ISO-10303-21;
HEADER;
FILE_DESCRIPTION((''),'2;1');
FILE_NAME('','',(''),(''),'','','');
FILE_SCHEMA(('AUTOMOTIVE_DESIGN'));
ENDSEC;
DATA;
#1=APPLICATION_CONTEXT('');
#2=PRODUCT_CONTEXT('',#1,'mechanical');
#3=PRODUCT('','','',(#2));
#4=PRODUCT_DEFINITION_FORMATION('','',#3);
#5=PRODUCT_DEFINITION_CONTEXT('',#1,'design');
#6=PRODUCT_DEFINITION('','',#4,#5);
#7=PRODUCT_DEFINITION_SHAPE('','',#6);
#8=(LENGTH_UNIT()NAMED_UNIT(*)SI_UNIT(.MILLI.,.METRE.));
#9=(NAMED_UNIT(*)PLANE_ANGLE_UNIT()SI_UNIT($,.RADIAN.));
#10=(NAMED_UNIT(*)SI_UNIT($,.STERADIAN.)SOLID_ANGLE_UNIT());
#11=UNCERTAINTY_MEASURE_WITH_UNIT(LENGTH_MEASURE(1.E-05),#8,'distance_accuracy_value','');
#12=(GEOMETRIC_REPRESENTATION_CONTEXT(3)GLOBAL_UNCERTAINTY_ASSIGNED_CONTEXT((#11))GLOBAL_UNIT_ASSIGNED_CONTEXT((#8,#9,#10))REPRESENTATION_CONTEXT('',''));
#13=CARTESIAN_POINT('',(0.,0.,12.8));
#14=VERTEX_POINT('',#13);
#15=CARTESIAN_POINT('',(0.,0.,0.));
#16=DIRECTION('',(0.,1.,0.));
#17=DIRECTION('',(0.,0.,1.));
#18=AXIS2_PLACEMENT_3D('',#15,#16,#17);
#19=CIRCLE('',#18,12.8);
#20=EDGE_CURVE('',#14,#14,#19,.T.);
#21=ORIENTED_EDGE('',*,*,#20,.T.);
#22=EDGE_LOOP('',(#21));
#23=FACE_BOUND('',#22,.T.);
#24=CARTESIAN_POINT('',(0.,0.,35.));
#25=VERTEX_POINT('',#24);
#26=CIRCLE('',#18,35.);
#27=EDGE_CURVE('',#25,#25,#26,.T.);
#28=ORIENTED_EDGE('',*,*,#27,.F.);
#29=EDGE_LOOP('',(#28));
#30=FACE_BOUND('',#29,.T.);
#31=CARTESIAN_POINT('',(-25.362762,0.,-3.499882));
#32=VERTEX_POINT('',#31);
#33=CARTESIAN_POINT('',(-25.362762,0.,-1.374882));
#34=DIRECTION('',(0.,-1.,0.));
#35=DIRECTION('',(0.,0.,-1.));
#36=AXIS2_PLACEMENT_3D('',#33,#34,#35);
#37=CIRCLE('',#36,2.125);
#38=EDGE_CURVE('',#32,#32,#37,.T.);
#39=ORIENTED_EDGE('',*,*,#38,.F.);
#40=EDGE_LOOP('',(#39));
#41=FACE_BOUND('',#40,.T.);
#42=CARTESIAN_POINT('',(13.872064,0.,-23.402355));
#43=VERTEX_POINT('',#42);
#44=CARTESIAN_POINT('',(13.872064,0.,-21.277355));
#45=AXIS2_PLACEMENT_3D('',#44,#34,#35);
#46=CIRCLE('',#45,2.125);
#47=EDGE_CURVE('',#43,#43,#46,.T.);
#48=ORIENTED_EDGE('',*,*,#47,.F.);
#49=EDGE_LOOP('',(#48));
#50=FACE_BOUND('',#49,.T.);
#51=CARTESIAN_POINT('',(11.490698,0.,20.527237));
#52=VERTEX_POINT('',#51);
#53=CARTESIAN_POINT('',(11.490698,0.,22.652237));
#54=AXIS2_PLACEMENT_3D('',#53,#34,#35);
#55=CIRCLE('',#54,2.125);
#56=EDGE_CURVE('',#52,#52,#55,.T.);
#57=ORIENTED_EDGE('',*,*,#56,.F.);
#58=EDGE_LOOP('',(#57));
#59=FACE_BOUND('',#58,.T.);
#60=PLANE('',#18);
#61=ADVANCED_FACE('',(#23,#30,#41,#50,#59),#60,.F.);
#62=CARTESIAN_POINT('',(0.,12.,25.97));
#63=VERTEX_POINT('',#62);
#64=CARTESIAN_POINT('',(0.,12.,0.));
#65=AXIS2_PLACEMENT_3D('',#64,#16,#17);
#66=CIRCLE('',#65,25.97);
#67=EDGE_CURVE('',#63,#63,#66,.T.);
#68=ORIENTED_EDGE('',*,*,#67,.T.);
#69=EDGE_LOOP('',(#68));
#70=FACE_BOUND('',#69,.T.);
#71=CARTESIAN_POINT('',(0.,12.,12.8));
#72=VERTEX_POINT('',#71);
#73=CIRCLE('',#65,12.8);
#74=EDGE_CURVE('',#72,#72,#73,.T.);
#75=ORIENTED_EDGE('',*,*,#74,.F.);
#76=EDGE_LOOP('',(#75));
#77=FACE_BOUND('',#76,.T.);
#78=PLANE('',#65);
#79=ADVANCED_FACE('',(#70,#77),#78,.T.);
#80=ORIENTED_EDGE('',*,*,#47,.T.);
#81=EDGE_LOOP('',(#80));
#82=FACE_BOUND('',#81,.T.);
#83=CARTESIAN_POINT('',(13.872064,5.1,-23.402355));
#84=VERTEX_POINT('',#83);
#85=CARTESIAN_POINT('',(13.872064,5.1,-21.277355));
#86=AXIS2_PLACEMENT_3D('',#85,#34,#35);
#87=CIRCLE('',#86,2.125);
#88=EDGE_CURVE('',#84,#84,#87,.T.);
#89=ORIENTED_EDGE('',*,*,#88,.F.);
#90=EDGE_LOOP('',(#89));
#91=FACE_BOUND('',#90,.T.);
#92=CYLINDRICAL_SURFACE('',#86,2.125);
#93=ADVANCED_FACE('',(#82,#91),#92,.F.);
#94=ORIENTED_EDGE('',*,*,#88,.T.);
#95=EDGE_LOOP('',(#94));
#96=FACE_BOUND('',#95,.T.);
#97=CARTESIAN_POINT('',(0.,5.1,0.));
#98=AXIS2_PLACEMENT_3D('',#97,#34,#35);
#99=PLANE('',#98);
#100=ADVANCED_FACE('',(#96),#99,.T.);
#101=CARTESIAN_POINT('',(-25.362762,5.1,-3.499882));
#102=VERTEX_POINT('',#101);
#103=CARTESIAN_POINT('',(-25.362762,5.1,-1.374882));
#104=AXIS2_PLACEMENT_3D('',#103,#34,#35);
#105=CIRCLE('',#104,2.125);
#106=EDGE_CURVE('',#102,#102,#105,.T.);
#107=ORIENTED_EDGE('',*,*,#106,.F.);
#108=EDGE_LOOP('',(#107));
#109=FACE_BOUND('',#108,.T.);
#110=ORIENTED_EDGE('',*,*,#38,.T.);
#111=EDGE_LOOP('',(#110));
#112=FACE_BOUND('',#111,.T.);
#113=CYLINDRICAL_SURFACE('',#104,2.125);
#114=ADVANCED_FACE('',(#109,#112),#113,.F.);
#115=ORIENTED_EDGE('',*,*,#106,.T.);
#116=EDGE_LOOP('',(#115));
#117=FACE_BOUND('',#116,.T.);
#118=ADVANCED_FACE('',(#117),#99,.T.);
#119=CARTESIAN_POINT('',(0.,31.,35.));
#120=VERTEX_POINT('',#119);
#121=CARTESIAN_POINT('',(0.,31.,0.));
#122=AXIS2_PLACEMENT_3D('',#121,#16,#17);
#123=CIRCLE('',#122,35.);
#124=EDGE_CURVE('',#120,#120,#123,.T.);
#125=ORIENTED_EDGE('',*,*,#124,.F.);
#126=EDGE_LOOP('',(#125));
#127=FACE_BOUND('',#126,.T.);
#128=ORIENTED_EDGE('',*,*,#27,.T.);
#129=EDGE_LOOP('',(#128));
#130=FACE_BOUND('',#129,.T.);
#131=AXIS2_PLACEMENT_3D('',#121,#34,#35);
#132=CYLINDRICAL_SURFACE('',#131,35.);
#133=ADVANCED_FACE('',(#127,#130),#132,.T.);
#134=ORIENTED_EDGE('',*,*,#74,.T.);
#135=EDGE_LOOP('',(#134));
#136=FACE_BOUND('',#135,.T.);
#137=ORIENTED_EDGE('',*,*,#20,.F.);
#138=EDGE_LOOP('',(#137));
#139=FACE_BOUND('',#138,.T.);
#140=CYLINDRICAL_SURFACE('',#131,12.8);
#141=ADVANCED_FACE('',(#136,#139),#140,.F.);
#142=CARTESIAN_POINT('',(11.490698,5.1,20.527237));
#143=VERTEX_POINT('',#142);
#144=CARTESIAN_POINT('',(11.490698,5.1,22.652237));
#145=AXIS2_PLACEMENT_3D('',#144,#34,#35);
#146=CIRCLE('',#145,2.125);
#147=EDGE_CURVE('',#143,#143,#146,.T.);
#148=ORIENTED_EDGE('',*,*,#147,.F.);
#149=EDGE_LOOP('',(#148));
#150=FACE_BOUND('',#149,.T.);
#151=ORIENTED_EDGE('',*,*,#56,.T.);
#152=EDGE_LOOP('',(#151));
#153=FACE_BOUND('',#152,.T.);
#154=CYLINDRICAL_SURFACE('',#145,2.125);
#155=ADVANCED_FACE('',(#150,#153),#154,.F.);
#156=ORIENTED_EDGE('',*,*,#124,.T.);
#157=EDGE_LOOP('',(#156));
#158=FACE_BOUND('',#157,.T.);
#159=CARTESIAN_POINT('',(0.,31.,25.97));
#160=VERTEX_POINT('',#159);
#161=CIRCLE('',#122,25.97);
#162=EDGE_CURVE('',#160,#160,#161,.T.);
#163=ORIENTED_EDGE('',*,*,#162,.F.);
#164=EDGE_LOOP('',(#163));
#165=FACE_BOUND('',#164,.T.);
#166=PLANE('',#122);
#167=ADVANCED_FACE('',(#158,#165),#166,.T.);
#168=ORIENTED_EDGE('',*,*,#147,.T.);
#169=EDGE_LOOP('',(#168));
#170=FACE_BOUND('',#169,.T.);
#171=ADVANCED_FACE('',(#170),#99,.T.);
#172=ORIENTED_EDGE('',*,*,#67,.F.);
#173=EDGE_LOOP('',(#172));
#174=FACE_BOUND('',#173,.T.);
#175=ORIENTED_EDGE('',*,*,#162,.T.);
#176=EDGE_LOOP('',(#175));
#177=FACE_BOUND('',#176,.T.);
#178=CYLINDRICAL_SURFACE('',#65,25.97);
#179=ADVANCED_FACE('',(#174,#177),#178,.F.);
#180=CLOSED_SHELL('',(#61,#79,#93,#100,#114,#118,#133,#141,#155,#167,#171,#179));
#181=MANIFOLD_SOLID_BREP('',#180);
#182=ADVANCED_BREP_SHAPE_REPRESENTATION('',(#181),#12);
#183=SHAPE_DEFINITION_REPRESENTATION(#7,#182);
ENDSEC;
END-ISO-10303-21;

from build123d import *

# Parameters (mm, degrees)
SKETCH1_R           = 35
SKETCH1_R_2         = 12.8
BOSS_EXTRUDE1_DEPTH = 31
SKETCH4_R           = 25.97
CUT_EXTRUDE3_DEPTH  = 19
SKETCH10_R          = 2.125
CUT_EXTRUDE6_DEPTH  = 5.1


with BuildPart() as part:
    # Sketch1 → Boss-Extrude1 (new body)
    with BuildSketch(Plane(origin=(0, 0, 0), x_dir=(1, 0, 0), z_dir=(0, 1, 0))):
        with Locations(Location((0, 0, 0), (0, 0, 270))):
            Circle(SKETCH1_R)
        with Locations(Location((0, 0, 0), (0, 0, 270))):
            Circle(SKETCH1_R_2, mode=Mode.SUBTRACT)
    extrude(amount=BOSS_EXTRUDE1_DEPTH)

    # Sketch4 → Cut-Extrude3 (cut)
    with BuildSketch(Plane(origin=(0, 31, 0), x_dir=(1, 0, 0), z_dir=(0, 1, 0))):
        with Locations(Location((0, 0, 0), (0, 0, 270))):
            Circle(SKETCH4_R)
    extrude(amount=-CUT_EXTRUDE3_DEPTH, mode=Mode.SUBTRACT)

    # Sketch10 → Cut-Extrude6 (cut)
    with BuildSketch(Plane.XZ):
        with Locations(Location((-25.362762045, -1.374882343, 0), (0, 0, 270))):
            Circle(SKETCH10_R)
        with Locations(Location((11.490697986, 22.652237412, 0), (0, 0, 270))):
            Circle(SKETCH10_R)
        with Locations(Location((13.872064059, -21.277355069, 0), (0, 0, 270))):
            Circle(SKETCH10_R)
    extrude(amount=-CUT_EXTRUDE6_DEPTH, mode=Mode.SUBTRACT)


solid = part.part
